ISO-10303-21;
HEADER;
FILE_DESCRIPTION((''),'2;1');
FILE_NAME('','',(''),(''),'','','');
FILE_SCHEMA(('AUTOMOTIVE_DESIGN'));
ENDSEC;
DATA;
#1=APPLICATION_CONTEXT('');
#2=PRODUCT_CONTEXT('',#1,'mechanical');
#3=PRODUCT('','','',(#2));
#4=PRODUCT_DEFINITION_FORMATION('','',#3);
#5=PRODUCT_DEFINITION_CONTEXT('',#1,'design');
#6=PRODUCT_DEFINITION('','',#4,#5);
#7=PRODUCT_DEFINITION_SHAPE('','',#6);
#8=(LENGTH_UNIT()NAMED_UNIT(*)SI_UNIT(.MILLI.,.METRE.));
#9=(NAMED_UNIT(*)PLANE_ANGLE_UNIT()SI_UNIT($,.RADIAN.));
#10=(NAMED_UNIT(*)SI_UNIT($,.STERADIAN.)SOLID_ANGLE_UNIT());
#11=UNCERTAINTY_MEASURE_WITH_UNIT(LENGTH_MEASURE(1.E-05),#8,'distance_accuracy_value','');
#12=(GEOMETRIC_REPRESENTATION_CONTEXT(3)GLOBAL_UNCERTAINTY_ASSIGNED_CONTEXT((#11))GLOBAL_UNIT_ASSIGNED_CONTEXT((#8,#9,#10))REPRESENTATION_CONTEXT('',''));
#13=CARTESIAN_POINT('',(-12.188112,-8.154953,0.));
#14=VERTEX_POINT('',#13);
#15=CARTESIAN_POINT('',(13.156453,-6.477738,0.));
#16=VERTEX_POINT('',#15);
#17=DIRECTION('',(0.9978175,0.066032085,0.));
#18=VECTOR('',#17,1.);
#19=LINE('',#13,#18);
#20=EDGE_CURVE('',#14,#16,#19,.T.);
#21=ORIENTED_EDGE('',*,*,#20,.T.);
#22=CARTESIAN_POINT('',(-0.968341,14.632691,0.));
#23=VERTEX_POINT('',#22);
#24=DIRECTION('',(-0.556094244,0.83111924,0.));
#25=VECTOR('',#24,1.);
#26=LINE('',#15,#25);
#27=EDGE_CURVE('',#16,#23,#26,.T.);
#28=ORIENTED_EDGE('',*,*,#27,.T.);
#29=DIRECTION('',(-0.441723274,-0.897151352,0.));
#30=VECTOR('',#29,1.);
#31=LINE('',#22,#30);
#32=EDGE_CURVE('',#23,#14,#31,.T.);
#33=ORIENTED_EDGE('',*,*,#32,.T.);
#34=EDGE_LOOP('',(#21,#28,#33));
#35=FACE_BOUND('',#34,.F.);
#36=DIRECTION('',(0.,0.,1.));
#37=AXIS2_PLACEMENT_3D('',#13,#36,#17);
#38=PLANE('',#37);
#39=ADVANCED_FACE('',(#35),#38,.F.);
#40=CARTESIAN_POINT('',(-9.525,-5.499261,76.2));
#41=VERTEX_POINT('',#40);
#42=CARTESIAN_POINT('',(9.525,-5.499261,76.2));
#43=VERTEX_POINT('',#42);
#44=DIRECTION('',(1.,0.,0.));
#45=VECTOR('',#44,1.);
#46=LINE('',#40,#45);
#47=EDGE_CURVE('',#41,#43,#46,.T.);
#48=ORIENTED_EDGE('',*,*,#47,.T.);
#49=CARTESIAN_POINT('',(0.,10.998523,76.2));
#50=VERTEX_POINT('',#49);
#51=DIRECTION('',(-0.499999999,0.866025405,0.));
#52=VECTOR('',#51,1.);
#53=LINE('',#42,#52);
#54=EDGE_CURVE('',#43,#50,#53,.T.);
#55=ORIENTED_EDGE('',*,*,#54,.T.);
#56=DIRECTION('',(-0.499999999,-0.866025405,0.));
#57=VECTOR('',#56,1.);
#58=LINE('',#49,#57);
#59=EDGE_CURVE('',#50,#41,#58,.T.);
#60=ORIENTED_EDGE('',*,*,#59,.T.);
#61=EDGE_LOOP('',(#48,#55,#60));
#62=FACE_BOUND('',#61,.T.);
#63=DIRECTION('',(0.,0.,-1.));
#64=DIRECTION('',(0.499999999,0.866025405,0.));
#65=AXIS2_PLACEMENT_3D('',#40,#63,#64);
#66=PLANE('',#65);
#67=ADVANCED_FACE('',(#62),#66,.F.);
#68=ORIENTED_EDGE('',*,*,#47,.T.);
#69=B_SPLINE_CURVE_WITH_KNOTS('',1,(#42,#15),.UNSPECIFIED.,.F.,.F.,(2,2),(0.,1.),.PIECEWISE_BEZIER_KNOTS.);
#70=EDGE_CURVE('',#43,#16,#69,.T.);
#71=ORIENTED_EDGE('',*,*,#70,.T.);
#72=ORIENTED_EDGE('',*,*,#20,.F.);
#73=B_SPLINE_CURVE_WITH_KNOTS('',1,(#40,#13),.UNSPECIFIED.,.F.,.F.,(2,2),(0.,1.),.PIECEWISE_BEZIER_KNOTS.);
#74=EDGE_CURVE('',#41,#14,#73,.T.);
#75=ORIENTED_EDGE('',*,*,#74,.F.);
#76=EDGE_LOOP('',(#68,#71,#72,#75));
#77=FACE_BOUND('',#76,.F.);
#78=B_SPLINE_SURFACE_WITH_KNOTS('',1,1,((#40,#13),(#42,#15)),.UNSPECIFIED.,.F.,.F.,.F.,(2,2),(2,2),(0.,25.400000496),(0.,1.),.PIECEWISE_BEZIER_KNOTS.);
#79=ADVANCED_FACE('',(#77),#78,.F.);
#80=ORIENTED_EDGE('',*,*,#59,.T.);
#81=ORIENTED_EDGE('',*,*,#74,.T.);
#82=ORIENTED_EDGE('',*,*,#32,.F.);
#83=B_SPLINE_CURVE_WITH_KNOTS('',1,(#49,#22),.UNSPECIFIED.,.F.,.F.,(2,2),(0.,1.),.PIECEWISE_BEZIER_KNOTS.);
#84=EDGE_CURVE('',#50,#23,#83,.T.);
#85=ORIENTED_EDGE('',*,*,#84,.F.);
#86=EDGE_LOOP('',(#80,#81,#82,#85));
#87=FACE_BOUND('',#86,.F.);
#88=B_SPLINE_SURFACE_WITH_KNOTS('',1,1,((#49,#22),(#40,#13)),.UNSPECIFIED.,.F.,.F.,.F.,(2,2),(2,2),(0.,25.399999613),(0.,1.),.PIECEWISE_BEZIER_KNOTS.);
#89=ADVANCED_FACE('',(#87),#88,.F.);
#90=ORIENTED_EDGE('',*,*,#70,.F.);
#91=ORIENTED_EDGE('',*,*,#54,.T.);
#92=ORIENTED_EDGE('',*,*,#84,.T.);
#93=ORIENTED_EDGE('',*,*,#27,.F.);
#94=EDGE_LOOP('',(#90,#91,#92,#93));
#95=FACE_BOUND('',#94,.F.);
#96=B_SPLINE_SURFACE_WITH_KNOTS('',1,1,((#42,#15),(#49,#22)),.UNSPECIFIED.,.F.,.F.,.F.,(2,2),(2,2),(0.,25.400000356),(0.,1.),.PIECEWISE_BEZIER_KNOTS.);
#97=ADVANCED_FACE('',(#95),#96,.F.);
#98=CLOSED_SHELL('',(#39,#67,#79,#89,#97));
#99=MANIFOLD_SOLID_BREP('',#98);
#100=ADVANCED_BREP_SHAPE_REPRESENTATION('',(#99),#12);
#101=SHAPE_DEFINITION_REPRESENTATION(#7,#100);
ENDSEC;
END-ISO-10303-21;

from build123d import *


with BuildPart() as f3:
    # F2 (on offset) → F3 section 0
    with BuildSketch(Plane.XY.offset(76.2)):
        Polygon((-9.525, -5.499261), (9.525, -5.499261), (0, 10.998523), align=None)
    # F0 (on Top) → F3 section 1
    with BuildSketch(Plane.XY):
        Polygon((13.156453, -6.477738), (-0.968341, 14.632691), (-12.188112, -8.154953), align=None)
    loft()


solid = f3.part
